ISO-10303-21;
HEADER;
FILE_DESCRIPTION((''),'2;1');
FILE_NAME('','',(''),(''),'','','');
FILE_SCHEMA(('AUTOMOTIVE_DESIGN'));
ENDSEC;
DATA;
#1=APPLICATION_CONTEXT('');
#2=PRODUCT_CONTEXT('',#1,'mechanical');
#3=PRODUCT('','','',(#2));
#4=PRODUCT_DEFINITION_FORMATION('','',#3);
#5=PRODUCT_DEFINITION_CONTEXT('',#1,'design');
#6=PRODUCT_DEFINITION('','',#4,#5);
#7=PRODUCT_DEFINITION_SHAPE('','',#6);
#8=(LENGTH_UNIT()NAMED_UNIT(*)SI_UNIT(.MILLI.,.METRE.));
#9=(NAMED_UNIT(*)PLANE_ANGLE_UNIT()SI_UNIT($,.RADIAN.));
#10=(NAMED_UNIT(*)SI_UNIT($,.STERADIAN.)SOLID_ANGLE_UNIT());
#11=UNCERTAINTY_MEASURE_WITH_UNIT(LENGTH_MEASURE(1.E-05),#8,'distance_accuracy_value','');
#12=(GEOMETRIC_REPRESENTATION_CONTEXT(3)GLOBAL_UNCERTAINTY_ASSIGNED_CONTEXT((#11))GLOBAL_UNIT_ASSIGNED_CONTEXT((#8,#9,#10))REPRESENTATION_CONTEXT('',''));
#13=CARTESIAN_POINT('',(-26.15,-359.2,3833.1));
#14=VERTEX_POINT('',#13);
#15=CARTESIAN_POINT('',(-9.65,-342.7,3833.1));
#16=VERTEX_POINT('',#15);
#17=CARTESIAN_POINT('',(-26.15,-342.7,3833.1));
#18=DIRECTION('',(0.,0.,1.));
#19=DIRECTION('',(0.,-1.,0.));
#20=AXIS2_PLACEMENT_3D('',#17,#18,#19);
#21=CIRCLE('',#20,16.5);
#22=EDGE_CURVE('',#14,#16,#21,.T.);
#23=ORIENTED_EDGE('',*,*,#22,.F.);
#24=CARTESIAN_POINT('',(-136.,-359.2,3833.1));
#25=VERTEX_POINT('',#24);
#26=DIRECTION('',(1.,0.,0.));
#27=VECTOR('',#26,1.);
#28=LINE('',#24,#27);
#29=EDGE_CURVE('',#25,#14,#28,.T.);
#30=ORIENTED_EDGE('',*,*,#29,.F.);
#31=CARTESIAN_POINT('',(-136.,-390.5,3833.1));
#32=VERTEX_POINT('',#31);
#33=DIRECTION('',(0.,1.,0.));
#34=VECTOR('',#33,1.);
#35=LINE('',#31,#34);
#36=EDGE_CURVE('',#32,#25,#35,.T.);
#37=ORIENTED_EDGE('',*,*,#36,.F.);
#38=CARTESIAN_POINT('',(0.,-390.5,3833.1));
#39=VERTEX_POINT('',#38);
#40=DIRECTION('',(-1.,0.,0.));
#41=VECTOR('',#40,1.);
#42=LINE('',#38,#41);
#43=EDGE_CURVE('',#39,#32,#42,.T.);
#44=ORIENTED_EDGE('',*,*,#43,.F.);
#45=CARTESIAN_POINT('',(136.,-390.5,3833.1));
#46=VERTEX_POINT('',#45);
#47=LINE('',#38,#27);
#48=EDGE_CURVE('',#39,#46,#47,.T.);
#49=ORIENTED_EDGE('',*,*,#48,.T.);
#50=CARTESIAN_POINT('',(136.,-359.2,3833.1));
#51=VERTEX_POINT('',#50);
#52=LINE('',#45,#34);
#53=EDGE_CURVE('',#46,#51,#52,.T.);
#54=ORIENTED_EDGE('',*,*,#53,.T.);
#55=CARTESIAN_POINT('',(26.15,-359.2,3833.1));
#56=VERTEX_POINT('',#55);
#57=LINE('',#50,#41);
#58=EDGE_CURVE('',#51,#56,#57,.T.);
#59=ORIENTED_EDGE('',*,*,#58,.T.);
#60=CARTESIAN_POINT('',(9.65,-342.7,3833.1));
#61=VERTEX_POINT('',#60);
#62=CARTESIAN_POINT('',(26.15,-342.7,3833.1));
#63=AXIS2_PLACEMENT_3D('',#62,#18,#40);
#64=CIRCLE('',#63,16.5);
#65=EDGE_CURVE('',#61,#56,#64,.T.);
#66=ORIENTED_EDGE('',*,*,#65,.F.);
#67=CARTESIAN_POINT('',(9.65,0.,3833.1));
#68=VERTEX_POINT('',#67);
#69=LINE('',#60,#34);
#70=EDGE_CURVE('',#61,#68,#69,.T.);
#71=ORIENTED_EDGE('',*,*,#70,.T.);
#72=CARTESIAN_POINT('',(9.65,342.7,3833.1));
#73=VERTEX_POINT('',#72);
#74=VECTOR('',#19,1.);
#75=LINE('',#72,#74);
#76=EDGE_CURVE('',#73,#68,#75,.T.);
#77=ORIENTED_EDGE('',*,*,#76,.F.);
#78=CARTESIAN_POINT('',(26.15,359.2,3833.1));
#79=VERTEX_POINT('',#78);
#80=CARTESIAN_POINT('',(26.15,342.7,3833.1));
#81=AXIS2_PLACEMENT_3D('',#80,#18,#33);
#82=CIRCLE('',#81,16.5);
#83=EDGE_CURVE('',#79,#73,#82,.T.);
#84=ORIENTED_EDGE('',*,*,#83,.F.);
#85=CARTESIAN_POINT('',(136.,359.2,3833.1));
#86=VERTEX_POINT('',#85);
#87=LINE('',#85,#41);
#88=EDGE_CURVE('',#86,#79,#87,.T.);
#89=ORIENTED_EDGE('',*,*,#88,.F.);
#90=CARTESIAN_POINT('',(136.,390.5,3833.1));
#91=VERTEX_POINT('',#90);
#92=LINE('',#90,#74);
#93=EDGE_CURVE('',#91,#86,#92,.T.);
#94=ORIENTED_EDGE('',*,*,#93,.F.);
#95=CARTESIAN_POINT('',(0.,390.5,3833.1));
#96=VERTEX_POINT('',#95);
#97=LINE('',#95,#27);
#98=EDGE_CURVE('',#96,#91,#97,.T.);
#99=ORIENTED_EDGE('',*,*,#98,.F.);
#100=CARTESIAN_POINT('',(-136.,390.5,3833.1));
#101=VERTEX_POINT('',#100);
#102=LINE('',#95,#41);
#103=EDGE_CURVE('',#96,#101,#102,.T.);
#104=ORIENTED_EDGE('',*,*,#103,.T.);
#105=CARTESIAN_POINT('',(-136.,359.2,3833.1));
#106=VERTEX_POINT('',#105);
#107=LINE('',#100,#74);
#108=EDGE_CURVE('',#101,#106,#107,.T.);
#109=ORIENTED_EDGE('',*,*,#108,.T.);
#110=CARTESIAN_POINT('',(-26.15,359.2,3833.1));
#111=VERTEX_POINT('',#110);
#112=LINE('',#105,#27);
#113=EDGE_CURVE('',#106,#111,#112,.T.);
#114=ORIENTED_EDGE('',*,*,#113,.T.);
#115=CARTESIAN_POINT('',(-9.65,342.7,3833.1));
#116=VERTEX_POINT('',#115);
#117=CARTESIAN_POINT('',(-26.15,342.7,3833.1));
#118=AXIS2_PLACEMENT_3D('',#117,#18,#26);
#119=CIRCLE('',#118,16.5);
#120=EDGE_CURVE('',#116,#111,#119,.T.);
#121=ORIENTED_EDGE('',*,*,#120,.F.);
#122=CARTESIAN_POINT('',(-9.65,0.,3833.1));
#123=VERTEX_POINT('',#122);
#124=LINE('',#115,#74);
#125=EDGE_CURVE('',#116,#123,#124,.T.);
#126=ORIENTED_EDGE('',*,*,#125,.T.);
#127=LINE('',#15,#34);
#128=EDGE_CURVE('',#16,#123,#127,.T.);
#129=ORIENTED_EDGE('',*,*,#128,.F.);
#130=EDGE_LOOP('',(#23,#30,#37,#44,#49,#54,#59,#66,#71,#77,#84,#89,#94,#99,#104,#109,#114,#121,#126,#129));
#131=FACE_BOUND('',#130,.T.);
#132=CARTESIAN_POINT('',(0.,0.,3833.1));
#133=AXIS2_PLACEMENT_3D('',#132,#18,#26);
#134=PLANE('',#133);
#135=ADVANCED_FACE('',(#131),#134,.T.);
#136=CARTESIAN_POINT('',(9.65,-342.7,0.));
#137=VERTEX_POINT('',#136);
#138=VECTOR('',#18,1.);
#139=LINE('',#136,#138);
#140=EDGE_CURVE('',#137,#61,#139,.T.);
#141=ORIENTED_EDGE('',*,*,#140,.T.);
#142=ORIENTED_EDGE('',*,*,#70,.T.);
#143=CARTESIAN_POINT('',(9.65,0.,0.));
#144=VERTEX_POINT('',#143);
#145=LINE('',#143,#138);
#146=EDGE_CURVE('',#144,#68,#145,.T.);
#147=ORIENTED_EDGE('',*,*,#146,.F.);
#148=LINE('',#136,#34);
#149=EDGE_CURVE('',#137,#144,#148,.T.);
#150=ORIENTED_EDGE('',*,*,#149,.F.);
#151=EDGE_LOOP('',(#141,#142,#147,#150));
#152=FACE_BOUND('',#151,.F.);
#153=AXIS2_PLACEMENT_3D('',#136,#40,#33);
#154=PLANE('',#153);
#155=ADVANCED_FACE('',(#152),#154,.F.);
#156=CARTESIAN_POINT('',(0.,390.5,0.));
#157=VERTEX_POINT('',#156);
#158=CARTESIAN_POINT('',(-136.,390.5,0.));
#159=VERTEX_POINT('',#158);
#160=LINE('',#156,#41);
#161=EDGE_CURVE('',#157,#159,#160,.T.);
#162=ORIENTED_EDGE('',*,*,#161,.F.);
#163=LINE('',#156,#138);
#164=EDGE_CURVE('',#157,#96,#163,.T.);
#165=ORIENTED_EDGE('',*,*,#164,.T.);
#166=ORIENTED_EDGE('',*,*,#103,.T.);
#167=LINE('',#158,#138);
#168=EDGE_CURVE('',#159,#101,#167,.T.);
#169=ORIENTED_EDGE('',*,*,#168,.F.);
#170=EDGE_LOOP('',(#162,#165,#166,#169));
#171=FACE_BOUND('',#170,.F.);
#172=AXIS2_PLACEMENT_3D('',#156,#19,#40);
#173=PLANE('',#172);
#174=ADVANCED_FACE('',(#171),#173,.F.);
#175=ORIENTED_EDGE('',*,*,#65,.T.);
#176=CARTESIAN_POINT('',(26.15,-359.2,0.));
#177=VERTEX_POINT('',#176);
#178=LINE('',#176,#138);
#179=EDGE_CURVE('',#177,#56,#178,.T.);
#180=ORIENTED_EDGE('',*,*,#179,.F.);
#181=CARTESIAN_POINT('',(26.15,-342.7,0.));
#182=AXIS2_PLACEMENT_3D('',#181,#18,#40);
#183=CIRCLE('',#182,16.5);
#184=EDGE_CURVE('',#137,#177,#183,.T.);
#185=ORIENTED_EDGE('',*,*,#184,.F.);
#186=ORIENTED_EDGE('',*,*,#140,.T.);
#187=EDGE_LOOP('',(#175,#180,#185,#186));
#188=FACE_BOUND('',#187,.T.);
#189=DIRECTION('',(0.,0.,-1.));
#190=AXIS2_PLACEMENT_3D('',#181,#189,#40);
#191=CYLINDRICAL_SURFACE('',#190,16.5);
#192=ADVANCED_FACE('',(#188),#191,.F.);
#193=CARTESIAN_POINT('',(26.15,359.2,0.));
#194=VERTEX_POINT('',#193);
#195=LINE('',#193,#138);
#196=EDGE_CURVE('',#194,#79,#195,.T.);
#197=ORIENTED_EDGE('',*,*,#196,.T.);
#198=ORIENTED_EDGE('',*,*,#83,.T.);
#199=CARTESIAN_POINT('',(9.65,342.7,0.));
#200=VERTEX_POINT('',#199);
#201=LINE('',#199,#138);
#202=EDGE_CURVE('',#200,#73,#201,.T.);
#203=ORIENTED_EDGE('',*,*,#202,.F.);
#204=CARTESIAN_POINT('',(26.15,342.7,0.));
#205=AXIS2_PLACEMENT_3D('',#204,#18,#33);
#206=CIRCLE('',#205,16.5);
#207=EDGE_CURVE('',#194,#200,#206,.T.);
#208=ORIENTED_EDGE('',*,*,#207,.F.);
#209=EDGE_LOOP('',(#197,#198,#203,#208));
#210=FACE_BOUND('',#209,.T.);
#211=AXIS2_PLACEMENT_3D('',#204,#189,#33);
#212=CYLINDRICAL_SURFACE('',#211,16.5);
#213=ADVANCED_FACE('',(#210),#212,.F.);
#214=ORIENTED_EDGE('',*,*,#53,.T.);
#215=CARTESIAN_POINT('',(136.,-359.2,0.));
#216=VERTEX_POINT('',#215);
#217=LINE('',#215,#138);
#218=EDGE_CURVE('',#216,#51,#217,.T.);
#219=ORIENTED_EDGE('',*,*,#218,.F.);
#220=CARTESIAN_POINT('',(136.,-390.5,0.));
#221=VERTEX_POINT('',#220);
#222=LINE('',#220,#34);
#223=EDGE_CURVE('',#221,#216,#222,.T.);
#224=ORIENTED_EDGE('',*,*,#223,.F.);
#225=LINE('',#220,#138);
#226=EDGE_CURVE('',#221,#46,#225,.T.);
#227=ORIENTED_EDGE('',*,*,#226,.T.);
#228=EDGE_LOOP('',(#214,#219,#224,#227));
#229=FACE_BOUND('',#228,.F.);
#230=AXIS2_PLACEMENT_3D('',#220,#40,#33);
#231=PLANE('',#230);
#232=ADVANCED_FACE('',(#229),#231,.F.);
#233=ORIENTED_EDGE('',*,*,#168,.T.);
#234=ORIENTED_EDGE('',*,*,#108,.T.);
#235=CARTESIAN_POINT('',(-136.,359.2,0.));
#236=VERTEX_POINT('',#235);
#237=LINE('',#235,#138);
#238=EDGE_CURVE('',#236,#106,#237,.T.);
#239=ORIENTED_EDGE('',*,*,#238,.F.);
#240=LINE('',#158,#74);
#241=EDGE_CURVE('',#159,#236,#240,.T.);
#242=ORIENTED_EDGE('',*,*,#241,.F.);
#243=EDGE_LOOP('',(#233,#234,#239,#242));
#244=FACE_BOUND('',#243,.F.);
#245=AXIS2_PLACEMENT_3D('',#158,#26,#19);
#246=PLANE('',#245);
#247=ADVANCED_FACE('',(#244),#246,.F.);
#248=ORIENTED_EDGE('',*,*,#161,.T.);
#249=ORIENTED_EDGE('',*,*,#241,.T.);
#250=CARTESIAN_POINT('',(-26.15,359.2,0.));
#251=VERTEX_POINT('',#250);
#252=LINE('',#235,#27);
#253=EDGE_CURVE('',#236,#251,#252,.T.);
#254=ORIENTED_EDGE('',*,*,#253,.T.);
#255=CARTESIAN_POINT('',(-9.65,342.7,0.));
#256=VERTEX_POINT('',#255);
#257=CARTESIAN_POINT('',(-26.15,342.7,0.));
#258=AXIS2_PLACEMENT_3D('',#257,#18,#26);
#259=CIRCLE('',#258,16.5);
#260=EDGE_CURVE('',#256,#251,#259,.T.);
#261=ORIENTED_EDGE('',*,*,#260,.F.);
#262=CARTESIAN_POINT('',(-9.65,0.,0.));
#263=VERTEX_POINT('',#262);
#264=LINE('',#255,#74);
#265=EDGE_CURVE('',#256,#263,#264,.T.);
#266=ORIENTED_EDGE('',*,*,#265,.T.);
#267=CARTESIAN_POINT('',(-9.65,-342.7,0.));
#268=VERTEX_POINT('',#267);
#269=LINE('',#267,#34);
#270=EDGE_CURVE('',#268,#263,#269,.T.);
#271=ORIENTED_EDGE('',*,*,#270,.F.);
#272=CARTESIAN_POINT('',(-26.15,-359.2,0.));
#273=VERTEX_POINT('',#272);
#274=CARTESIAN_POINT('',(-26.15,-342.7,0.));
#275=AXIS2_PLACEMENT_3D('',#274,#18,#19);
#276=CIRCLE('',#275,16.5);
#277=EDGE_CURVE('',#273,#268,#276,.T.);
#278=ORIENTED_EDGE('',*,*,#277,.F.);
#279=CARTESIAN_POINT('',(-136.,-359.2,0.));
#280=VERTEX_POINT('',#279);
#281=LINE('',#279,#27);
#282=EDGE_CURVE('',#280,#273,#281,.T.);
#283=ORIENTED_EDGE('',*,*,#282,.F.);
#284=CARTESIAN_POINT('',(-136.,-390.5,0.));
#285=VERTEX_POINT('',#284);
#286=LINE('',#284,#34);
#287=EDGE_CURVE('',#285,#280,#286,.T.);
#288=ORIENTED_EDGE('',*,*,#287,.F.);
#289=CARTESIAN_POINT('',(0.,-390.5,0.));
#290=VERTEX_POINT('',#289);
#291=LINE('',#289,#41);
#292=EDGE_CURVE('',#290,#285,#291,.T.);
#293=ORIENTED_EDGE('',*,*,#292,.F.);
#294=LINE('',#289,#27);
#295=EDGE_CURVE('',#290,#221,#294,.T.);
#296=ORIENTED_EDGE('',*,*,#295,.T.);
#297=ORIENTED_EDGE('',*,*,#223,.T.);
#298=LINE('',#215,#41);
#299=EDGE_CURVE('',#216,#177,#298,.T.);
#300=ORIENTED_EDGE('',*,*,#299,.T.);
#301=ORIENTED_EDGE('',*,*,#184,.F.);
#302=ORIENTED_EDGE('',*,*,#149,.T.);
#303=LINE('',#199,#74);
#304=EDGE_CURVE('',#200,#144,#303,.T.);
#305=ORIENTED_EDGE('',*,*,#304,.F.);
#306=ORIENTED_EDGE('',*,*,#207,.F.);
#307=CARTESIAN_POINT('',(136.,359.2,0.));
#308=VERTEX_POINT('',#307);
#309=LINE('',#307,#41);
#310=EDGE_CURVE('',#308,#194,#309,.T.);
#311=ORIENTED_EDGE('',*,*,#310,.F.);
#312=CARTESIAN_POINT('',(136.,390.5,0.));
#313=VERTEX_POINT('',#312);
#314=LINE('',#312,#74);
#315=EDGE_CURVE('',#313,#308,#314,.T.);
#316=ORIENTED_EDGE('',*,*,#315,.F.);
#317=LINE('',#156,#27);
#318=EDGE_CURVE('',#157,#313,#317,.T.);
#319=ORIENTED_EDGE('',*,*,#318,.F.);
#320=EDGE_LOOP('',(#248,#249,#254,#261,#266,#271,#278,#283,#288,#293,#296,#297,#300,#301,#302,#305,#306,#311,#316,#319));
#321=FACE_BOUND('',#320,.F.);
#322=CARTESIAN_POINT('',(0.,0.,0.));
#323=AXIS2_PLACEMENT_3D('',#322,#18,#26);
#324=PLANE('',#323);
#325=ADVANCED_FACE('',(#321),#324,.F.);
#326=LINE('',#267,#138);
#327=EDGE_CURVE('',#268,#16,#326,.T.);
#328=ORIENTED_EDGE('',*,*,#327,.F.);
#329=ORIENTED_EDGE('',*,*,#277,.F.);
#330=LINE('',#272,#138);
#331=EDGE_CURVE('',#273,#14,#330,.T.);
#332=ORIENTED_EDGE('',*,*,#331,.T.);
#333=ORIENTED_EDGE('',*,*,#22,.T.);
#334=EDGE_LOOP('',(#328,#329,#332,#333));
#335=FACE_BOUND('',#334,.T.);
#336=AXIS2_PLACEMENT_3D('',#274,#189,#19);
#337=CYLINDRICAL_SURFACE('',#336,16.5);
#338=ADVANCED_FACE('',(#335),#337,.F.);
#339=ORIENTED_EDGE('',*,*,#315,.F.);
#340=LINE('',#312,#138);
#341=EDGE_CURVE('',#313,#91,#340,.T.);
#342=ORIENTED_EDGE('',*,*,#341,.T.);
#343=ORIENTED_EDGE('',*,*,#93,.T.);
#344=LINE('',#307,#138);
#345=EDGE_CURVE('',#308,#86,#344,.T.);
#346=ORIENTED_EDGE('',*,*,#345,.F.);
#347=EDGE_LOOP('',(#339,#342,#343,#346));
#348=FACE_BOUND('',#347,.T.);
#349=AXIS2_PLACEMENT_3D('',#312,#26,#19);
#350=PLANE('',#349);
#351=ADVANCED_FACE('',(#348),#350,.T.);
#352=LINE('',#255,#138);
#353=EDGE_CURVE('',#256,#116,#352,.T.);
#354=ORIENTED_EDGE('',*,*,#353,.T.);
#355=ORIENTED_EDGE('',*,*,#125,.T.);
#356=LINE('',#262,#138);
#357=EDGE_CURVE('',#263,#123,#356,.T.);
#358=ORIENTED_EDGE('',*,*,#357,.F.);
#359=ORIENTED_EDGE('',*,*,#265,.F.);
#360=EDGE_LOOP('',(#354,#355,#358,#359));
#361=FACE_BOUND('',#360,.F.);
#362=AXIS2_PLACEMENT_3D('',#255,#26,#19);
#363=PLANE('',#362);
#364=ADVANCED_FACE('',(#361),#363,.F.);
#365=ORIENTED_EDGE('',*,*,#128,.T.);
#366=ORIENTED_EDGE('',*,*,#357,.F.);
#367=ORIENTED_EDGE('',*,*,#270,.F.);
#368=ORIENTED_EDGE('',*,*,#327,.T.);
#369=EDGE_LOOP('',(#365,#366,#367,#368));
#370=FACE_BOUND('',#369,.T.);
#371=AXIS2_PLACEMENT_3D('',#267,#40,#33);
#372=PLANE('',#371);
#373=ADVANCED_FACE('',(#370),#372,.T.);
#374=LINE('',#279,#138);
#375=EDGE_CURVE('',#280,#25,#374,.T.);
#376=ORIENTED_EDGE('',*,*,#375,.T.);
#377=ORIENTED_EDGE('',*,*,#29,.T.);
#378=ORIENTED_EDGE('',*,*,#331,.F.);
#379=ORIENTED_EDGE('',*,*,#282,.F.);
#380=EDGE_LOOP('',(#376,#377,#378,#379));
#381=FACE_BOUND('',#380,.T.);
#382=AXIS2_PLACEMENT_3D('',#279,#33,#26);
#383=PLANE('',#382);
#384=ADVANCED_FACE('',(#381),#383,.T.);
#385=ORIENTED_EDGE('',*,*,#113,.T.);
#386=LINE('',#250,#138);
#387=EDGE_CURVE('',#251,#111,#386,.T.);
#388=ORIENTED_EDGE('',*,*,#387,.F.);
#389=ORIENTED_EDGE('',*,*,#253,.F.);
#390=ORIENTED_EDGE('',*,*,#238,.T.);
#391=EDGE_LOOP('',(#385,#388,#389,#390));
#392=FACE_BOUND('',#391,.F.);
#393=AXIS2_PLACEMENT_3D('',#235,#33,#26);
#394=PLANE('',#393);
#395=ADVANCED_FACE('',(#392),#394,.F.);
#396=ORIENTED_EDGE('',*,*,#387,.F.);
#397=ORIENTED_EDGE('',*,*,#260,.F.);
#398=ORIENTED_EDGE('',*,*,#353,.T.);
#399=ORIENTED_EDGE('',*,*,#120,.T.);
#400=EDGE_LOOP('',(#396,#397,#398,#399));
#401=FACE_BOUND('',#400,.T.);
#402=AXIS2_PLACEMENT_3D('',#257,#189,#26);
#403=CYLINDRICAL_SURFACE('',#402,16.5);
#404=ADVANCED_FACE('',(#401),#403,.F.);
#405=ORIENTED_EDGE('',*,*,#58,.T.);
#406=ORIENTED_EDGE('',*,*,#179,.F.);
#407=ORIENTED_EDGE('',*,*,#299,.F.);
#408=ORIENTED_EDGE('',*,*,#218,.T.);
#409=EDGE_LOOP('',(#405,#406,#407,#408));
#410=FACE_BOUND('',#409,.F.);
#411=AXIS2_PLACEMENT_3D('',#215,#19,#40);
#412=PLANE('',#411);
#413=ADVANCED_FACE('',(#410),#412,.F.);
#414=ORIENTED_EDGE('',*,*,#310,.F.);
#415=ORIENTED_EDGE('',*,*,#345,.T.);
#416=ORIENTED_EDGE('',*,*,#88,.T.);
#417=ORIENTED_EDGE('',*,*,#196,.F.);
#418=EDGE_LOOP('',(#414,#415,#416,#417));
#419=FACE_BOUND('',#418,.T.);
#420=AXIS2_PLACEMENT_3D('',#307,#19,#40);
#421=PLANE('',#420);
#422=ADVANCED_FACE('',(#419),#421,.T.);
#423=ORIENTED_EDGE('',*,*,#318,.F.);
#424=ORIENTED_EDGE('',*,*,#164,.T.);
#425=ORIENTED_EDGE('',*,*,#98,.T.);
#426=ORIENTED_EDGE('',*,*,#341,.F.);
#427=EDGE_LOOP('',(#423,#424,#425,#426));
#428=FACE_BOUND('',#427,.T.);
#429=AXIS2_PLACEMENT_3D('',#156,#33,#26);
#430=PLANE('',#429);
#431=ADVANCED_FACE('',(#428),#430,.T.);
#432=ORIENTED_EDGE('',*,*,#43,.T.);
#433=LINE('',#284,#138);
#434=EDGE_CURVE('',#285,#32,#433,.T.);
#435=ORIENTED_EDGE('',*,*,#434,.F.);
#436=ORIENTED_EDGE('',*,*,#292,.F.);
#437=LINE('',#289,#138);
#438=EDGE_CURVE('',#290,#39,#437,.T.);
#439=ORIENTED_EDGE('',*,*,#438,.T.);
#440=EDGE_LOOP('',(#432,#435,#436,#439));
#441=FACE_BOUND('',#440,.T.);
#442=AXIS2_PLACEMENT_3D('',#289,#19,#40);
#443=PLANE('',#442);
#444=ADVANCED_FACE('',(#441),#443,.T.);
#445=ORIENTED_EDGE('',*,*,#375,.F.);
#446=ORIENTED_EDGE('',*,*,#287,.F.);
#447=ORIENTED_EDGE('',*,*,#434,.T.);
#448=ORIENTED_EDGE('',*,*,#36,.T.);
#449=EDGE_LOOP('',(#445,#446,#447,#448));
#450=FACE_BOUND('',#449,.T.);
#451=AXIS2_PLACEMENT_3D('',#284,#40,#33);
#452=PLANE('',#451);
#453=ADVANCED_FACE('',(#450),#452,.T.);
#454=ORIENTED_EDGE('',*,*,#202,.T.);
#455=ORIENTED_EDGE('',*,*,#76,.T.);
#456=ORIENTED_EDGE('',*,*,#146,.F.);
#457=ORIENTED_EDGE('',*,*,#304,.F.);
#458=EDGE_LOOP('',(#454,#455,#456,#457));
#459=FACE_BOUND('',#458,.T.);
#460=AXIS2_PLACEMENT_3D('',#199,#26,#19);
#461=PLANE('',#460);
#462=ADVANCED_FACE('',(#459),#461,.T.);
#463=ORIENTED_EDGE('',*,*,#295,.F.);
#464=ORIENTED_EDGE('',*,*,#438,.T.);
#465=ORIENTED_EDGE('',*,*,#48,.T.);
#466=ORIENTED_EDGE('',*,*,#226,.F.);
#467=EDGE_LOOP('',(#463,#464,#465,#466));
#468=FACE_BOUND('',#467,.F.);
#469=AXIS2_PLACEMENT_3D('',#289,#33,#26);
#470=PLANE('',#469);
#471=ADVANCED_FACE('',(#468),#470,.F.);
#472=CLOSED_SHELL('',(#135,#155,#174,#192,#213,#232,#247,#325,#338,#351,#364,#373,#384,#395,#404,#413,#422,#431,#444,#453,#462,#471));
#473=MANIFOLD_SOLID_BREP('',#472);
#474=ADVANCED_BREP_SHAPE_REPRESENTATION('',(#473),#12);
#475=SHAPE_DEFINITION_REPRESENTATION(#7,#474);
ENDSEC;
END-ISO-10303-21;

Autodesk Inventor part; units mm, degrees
ref_plane "YZ Plane" through (0, 0, 0) normal (1, 0, 0) x (0, 1, 0)
ref_plane "Start plane" through (0, 0, 0) normal (0, 0, 1) x (1, 0, 0)
ref_plane "End plane" through (0, 0, 3833.1) normal (0, 0, 1) x (1, 0, 0)
sketch "Sketch" plane through (0, 0, 0) normal (0, 0, 1) x (1, 0, 0)
  line L0 (-136, -390.5) -> (-136, -359.2)
  line L1 (-136, -359.2) -> (-26.15, -359.2)
  line L2 (-9.65, -342.7) -> (-9.65, 0)
  line L3 (-9.65, 0) -> (0, 0) construction
  line L4 (0, 0) -> (0, -390.5) construction
  line L5 (0, -390.5) -> (-136, -390.5)
  line L6 (-60, 0) -> (80, 0) construction
  line L7 (0, -60) -> (0, 80) construction
  line L8 (136, -390.5) -> (136, -359.2)
  line L9 (136, -359.2) -> (26.15, -359.2)
  line L10 (9.65, -342.7) -> (9.65, 0)
  line L11 (9.65, 0) -> (0, 0) construction
  line L12 (0, -390.5) -> (136, -390.5)
  line L13 (-136, 390.5) -> (-136, 359.2)
  line L14 (-136, 359.2) -> (-26.15, 359.2)
  line L15 (-9.65, 342.7) -> (-9.65, 0)
  line L16 (0, 390.5) -> (-136, 390.5)
  line L17 (136, 390.5) -> (136, 359.2)
  line L18 (136, 359.2) -> (26.15, 359.2)
  line L19 (0, 390.5) -> (136, 390.5)
  line L20 (9.65, 342.7) -> (9.65, 0)
  arc A0 (-9.65, 342.7) -> (-26.15, 359.2) centre (-26.15, 342.7) ccw
  arc A1 (26.15, 359.2) -> (9.65, 342.7) centre (26.15, 342.7) ccw
  arc A2 (9.65, -342.7) -> (26.15, -359.2) centre (26.15, -342.7) ccw
  arc A3 (-26.15, -359.2) -> (-9.65, -342.7) centre (-26.15, -342.7) ccw
  line L21 (0, 108) -> (0, -88) construction
  line L22 (-88, 0) -> (108, 0) construction
  point P0 (-9.65, -359.2)
  point P1 (9.65, -359.2)
  point P2 (-9.65, 359.2)
  point P3 (9.65, 359.2)
  dimension "d1" = 390.5
  dimension "d2" = 31.3
  dimension "d3" = 136
  dimension "d4" = 9.65
  dimension "d10" = 16.5
extrude "Body" add sketch "Sketch" along normal up to surface (3833.1 mm away) from surface at 0
sketch "Sketch4" plane through (0, 0, 0) normal (0, 0, 1) x (1, 0, 0)
  line L0 (0, 0) -> (10, 0)
ref_plane "Work Plane3" through (0, 0, 0) normal (0, -1, 0) x (1, 0, 0)
sketch "Sketch5" plane through (0, 0, 0) normal (0, -1, 0) x (1, 0, 0)
  line L0 (-2, 0) -> (12, 0) projected
  line L1 (-2, 3833.1) -> (12, 3833.1) projected
  dimension "d14" = 3833.1
equation "\"d1\" = 0.5 * G_H"
equation "\"d2\" = G_T1"
equation "\"d3\" = 0.5 * G_W"
equation "\"d4\" = 0.5 * G_T"
equation "\"d10\" = G_IR"
equation "\"d5\" = G_L"
equation "\"G_W\" = 272"
equation "\"G_H\" = 781"
equation "\"G_T\" = 19.3"
equation "\"G_T1\" = 31.3"
equation "\"G_IR\" = 16.5"
equation "\"G_L\" = d14"
equation "\"G_OFFSET_START\" = 0"
equation "\"G_OFFSET_END\" = 0"
equation "\"d12\" = G_OFFSET_END + B_L"
equation "\"B_L\" = 3833.1"
properties part number "AS 3679-1990 - 760 UB - 244 - 3833.1" material "Steel, Mild"
